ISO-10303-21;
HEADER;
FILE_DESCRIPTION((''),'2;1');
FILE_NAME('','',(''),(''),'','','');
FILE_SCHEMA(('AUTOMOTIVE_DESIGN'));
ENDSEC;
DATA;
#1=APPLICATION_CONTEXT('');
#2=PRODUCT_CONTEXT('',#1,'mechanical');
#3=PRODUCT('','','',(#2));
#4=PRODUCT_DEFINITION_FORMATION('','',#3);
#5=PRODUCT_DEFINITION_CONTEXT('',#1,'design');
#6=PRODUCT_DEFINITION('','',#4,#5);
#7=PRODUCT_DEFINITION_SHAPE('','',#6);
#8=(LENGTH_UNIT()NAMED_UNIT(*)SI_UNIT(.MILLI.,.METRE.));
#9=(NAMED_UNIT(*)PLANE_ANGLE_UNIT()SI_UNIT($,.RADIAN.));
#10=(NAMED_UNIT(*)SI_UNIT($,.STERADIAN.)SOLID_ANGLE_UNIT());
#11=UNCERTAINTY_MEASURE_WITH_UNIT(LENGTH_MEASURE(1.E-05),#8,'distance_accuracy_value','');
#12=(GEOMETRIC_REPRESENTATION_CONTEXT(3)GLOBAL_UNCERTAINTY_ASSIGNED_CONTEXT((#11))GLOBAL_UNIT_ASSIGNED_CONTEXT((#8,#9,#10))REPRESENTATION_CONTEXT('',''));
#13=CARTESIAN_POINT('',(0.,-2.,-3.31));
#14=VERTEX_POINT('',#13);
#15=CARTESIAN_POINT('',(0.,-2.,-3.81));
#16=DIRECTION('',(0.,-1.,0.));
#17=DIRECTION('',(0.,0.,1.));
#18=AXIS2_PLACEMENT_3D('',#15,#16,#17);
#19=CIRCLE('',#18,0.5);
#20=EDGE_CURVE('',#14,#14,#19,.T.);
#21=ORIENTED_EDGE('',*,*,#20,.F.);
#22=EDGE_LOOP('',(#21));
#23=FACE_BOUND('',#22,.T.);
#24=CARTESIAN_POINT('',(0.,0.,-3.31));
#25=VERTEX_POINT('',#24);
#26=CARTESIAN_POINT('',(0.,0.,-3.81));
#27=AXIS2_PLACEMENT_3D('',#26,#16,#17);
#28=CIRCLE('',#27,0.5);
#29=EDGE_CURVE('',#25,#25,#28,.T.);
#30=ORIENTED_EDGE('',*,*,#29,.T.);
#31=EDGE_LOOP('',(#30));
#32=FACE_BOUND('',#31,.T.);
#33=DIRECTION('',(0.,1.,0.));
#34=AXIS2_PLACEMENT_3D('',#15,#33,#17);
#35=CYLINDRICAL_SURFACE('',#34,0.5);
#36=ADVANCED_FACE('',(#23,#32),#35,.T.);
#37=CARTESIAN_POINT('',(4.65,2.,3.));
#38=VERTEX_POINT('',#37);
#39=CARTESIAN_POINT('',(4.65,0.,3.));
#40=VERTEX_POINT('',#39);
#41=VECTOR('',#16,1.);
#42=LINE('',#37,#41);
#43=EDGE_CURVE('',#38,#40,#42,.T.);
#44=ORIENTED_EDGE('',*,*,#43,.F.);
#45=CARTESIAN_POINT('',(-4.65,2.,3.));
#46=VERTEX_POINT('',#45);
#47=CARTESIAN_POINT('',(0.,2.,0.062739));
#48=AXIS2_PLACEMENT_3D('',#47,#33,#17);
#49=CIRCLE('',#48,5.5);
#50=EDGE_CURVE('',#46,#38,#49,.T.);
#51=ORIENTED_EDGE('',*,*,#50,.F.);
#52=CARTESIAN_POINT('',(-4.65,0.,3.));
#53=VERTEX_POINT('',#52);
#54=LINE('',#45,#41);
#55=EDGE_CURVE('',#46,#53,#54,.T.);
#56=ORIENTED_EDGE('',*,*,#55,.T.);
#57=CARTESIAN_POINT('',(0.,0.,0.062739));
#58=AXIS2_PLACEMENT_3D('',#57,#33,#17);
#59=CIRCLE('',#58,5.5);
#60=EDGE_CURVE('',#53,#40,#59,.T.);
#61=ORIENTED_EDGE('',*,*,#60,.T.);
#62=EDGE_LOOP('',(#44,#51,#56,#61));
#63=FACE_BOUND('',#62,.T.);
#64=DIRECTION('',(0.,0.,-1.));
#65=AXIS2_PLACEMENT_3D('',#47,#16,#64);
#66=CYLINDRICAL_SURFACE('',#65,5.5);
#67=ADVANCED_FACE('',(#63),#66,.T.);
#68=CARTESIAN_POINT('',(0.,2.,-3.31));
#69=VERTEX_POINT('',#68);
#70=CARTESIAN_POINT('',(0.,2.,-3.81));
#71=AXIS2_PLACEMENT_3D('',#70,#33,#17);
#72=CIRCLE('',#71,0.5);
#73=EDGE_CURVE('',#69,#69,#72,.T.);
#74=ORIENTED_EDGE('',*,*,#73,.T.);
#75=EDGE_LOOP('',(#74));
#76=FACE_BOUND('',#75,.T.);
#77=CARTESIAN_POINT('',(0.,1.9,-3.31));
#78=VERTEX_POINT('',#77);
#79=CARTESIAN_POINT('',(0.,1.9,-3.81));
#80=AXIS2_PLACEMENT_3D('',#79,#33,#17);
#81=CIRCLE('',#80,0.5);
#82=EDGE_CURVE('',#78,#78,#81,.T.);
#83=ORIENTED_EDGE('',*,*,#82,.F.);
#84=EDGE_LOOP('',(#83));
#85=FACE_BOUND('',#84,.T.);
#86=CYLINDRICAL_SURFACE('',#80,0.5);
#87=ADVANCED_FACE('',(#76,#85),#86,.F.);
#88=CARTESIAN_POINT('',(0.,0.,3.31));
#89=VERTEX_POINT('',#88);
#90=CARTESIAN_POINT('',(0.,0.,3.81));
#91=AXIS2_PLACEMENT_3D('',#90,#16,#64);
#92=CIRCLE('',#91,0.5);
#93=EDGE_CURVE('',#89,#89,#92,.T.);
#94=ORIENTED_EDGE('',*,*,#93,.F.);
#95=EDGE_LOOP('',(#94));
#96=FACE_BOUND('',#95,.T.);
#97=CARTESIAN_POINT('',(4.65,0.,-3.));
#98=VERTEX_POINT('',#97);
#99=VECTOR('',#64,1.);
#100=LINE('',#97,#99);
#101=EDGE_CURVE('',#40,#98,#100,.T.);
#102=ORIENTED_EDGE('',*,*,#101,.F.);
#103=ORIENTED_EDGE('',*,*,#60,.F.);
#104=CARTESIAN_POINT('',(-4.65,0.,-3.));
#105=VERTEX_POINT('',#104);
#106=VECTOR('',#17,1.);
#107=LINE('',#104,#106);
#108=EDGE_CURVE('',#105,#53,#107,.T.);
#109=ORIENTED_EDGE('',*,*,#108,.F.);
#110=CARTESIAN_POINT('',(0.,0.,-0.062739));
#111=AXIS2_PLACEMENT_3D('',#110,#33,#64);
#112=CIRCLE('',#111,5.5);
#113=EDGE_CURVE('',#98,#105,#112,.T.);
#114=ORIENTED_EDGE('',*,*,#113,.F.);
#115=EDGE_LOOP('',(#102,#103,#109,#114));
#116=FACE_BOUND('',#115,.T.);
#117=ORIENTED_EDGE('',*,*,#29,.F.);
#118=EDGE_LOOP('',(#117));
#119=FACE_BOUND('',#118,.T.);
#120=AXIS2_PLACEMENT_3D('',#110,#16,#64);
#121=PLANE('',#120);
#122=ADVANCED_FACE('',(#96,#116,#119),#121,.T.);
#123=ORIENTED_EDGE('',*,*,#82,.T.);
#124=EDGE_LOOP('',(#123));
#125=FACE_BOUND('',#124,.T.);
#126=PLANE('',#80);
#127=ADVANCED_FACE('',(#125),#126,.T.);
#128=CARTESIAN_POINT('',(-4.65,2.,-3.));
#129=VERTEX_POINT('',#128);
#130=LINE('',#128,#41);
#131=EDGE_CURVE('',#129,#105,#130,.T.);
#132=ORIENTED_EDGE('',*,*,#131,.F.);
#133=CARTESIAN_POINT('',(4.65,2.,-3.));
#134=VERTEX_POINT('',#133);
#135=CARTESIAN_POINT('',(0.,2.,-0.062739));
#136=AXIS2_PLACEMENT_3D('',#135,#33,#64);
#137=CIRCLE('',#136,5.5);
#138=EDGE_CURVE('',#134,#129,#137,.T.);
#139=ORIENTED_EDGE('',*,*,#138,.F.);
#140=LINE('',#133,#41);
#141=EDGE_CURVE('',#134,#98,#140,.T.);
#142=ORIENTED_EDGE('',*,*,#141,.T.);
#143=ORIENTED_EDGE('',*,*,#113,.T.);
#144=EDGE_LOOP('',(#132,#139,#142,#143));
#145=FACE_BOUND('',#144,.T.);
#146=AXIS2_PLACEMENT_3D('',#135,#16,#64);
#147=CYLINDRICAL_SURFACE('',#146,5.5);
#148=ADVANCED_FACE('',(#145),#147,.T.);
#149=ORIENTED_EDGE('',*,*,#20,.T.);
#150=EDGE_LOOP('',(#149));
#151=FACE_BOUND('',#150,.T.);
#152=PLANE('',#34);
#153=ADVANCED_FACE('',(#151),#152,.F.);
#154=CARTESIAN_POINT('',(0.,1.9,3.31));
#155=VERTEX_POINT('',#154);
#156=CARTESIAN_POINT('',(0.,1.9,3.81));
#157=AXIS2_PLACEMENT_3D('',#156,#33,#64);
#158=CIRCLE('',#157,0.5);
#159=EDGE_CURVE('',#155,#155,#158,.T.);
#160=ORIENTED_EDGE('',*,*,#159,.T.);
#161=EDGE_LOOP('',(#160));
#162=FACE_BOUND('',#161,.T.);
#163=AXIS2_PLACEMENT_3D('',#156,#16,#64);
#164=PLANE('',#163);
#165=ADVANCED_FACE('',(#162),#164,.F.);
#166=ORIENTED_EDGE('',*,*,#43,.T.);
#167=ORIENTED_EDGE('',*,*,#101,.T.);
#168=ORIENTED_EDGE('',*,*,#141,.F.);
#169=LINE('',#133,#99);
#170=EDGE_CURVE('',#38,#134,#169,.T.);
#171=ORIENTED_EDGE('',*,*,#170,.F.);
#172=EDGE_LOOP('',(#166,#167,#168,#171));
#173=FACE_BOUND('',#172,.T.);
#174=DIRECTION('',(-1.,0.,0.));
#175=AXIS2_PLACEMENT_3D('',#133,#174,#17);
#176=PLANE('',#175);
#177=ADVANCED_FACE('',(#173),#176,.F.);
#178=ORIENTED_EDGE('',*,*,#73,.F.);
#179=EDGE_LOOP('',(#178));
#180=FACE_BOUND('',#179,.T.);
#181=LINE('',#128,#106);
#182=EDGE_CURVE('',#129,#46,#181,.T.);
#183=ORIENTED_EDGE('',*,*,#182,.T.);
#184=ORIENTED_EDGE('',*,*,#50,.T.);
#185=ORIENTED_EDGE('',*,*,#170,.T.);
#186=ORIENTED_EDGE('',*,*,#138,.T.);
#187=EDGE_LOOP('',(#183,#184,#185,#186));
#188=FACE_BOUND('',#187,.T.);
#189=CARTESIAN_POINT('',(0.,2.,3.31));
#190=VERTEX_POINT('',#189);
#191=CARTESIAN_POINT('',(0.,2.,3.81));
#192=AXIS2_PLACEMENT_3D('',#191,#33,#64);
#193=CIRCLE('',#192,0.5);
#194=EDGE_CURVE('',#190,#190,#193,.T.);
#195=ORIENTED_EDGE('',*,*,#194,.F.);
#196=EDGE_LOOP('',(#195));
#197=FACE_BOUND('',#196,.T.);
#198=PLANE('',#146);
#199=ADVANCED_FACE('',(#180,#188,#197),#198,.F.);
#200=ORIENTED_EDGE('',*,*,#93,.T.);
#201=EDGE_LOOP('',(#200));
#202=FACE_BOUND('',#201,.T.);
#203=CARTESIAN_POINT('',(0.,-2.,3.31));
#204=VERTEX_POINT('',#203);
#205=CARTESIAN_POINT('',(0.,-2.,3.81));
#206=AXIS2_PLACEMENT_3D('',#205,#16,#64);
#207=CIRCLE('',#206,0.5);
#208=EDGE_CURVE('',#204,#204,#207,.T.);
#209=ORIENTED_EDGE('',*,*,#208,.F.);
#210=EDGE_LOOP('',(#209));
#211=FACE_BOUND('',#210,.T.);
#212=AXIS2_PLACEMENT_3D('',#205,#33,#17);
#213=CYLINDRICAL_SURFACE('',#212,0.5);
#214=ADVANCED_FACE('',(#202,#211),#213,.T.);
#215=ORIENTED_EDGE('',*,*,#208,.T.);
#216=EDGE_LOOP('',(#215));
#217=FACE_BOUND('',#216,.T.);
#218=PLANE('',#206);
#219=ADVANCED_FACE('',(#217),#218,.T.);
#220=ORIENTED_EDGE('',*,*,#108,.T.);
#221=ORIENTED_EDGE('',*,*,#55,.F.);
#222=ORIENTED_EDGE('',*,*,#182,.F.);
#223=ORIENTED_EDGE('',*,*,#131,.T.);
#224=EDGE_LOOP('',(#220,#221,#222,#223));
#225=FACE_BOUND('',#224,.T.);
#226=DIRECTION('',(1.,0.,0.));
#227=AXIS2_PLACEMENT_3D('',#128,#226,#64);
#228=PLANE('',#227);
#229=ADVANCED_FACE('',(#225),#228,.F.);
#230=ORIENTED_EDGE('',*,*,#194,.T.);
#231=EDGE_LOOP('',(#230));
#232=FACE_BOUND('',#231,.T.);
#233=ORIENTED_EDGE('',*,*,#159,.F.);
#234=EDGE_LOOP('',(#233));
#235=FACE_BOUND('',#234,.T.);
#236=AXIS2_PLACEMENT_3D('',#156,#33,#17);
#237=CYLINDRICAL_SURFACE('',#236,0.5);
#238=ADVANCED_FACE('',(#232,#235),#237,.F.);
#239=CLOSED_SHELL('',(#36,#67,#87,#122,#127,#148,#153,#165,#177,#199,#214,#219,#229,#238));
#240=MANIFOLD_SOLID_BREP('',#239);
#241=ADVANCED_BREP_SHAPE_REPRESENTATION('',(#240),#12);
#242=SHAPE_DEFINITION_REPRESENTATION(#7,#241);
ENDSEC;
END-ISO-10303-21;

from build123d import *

# Parameters (mm, degrees)
BASE_EXTRUDE_DEPTH = 2
SKETCH2_R          = 0.5
PIN_EXTRUDE_DEPTH  = 2
SKETCH3_R          = 0.5
PIN_CUT_DEPTH      = 0.1


with BuildPart() as part:
    # Sketch1 → Base-Extrude (new body)
    with BuildSketch(Plane(origin=(0, 0, 0), x_dir=(1, 0, 0), z_dir=(0, 1, 0))):
        with BuildLine():
            Line((4.65, 3), (4.65, -3))
            ThreePointArc((4.65, -3), (0, -5.562739371), (-4.65, -3))
            Line((-4.65, -3), (-4.65, 3))
            ThreePointArc((-4.65, 3), (0, 5.562739371), (4.65, 3))
        make_face()
    extrude(amount=BASE_EXTRUDE_DEPTH)

    # Sketch2 → Pin-Extrude (add)
    with BuildSketch(Plane.XZ):
        with Locations(Location((0, 3.81, 0), (0, 0, 270))):
            Circle(SKETCH2_R)
        with Locations(Location((0, -3.81, 0), (0, 0, 90))):
            Circle(SKETCH2_R)
    extrude(amount=PIN_EXTRUDE_DEPTH)

    # Sketch3 → Pin-Cut (cut)
    with BuildSketch(Plane(origin=(0, 2, 0), x_dir=(1, 0, 0), z_dir=(0, 1, 0))):
        with Locations(Location((0, 3.81, 0), (0, 0, 270))):
            Circle(SKETCH3_R)
        with Locations(Location((0, -3.81, 0), (0, 0, 90))):
            Circle(SKETCH3_R)
    extrude(amount=-PIN_CUT_DEPTH, mode=Mode.SUBTRACT)


solid = part.part
